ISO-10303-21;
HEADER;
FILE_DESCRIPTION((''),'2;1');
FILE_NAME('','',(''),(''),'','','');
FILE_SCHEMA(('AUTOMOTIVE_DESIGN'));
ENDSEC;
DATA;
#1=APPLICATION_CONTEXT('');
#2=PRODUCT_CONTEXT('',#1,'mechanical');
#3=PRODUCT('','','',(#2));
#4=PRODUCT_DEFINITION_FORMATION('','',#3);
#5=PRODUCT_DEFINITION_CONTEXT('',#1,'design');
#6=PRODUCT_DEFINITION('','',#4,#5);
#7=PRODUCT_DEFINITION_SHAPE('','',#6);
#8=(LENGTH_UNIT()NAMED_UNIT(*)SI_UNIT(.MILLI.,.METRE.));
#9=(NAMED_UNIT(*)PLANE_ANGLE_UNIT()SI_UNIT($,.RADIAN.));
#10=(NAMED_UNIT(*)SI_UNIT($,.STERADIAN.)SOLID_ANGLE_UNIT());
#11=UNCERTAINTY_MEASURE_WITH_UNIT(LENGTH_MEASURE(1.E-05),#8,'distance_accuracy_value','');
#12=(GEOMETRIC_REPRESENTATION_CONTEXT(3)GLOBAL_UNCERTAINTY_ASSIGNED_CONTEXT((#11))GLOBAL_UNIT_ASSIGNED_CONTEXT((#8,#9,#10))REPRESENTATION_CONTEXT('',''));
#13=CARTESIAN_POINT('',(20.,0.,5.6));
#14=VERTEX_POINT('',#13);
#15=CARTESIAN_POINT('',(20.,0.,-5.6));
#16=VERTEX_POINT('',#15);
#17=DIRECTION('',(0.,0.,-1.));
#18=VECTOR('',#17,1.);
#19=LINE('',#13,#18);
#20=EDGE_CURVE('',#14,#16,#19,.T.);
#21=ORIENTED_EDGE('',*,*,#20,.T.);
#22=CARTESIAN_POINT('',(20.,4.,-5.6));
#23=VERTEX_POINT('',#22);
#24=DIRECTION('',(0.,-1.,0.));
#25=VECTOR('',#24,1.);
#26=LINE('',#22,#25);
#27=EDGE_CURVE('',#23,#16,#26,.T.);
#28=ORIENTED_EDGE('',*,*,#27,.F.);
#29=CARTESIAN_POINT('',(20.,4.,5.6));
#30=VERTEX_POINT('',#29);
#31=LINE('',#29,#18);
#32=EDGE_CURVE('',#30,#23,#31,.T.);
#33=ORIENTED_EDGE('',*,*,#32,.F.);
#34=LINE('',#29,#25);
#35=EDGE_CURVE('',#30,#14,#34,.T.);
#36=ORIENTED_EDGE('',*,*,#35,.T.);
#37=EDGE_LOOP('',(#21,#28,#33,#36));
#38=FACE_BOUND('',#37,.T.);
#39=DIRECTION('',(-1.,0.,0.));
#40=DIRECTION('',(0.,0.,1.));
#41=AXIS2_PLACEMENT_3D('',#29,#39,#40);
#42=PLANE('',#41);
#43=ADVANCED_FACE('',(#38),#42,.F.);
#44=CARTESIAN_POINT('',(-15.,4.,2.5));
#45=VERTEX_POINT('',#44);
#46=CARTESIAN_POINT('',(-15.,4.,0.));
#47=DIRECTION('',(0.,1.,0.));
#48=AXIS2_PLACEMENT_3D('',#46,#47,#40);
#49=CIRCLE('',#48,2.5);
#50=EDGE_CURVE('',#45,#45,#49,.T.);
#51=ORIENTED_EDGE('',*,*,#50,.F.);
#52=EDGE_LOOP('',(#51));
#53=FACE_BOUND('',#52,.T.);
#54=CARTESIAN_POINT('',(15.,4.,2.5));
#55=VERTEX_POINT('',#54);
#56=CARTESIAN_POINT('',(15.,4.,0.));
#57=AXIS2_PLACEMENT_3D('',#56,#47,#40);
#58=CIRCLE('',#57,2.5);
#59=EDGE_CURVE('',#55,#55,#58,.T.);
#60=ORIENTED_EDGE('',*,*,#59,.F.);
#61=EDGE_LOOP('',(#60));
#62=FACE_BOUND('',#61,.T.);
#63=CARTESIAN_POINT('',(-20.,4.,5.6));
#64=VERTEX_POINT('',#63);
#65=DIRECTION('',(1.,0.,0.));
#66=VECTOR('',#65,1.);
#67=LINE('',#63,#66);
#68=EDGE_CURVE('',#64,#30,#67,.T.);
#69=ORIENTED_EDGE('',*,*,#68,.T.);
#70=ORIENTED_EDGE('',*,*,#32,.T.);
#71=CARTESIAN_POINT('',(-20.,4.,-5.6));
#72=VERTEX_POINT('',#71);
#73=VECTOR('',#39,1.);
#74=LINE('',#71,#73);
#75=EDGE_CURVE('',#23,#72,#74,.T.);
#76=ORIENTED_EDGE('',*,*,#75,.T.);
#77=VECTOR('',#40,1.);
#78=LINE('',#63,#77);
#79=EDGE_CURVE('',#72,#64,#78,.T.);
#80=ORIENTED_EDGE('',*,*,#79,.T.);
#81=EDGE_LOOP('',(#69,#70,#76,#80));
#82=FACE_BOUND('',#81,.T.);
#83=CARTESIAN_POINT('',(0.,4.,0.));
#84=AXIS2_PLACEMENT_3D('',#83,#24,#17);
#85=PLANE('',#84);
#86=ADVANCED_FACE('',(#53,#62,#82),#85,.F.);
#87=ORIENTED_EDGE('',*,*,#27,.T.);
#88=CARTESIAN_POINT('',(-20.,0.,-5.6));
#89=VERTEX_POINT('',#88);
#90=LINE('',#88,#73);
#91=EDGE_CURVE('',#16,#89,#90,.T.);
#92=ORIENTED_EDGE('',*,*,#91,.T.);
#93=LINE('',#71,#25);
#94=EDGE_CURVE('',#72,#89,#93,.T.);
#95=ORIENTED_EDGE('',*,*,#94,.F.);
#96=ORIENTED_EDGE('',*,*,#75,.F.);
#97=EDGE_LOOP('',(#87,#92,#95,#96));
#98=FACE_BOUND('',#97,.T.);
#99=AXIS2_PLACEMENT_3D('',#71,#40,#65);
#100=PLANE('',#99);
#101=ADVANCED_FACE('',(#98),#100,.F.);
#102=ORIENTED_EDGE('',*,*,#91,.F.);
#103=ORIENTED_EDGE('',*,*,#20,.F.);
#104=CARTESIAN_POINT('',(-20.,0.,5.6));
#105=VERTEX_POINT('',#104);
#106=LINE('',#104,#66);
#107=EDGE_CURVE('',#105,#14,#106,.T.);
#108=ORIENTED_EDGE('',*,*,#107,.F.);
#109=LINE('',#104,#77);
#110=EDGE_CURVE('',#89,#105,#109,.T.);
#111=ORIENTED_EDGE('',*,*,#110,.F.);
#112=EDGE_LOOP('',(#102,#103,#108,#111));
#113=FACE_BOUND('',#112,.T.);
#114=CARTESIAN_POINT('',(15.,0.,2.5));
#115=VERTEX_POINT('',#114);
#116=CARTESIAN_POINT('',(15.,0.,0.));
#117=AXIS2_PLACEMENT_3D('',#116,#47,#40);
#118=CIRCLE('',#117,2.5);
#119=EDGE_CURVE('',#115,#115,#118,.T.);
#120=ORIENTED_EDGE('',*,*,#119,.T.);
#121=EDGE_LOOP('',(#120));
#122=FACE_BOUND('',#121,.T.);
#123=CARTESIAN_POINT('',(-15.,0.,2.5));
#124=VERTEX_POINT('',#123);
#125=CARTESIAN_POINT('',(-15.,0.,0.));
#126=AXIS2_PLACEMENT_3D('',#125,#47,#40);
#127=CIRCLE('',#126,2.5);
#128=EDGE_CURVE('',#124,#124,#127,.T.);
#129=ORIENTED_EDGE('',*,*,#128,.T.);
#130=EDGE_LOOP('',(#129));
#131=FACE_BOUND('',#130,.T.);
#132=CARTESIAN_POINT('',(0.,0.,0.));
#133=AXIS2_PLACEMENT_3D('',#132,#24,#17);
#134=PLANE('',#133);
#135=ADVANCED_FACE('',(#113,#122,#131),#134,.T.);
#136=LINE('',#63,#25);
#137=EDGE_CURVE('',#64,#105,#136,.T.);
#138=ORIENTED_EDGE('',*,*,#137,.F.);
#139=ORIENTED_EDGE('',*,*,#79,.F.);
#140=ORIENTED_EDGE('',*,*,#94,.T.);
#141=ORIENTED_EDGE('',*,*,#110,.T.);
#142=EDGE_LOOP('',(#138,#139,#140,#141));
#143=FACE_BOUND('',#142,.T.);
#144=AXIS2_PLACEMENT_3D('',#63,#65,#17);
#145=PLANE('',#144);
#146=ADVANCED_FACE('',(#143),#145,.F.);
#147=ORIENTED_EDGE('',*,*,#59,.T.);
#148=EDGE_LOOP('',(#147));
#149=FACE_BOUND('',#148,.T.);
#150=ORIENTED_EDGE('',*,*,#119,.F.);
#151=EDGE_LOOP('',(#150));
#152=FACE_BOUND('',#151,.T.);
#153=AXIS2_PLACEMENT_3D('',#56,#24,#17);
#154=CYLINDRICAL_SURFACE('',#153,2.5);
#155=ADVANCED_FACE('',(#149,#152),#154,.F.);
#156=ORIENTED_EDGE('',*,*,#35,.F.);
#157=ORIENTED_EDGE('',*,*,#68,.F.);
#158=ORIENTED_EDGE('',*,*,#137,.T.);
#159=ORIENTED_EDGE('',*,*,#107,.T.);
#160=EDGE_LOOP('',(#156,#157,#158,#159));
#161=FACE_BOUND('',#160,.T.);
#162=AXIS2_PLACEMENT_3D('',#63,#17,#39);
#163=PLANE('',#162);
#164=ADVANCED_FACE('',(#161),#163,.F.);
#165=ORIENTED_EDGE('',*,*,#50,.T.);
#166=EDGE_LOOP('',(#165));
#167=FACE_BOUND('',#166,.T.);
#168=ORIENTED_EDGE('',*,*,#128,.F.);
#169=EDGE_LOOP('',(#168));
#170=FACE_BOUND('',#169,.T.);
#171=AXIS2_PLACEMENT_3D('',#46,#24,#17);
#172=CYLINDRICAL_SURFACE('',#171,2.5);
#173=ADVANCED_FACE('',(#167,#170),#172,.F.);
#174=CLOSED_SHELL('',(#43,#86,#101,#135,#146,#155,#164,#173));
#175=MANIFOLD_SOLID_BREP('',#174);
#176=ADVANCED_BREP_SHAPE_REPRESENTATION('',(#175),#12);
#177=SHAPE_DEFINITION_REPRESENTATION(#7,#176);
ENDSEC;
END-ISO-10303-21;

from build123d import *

# Parameters (mm, degrees)
SKETCH1_W           = 40
SKETCH1_H           = 11.2
SKETCH1_R           = 2.5
BOSS_EXTRUDE2_DEPTH = 4


with BuildPart() as part:
    # Sketch1 → Boss-Extrude2 (new body)
    with BuildSketch(Plane(origin=(0, 0, 0), x_dir=(1, 0, 0), z_dir=(0, 1, 0))):
        Rectangle(SKETCH1_W, SKETCH1_H)
        with Locations((-15, 0)):
            Circle(SKETCH1_R, mode=Mode.SUBTRACT)
        with Locations((15, 0)):
            Circle(SKETCH1_R, mode=Mode.SUBTRACT)
    extrude(amount=BOSS_EXTRUDE2_DEPTH)


solid = part.part
